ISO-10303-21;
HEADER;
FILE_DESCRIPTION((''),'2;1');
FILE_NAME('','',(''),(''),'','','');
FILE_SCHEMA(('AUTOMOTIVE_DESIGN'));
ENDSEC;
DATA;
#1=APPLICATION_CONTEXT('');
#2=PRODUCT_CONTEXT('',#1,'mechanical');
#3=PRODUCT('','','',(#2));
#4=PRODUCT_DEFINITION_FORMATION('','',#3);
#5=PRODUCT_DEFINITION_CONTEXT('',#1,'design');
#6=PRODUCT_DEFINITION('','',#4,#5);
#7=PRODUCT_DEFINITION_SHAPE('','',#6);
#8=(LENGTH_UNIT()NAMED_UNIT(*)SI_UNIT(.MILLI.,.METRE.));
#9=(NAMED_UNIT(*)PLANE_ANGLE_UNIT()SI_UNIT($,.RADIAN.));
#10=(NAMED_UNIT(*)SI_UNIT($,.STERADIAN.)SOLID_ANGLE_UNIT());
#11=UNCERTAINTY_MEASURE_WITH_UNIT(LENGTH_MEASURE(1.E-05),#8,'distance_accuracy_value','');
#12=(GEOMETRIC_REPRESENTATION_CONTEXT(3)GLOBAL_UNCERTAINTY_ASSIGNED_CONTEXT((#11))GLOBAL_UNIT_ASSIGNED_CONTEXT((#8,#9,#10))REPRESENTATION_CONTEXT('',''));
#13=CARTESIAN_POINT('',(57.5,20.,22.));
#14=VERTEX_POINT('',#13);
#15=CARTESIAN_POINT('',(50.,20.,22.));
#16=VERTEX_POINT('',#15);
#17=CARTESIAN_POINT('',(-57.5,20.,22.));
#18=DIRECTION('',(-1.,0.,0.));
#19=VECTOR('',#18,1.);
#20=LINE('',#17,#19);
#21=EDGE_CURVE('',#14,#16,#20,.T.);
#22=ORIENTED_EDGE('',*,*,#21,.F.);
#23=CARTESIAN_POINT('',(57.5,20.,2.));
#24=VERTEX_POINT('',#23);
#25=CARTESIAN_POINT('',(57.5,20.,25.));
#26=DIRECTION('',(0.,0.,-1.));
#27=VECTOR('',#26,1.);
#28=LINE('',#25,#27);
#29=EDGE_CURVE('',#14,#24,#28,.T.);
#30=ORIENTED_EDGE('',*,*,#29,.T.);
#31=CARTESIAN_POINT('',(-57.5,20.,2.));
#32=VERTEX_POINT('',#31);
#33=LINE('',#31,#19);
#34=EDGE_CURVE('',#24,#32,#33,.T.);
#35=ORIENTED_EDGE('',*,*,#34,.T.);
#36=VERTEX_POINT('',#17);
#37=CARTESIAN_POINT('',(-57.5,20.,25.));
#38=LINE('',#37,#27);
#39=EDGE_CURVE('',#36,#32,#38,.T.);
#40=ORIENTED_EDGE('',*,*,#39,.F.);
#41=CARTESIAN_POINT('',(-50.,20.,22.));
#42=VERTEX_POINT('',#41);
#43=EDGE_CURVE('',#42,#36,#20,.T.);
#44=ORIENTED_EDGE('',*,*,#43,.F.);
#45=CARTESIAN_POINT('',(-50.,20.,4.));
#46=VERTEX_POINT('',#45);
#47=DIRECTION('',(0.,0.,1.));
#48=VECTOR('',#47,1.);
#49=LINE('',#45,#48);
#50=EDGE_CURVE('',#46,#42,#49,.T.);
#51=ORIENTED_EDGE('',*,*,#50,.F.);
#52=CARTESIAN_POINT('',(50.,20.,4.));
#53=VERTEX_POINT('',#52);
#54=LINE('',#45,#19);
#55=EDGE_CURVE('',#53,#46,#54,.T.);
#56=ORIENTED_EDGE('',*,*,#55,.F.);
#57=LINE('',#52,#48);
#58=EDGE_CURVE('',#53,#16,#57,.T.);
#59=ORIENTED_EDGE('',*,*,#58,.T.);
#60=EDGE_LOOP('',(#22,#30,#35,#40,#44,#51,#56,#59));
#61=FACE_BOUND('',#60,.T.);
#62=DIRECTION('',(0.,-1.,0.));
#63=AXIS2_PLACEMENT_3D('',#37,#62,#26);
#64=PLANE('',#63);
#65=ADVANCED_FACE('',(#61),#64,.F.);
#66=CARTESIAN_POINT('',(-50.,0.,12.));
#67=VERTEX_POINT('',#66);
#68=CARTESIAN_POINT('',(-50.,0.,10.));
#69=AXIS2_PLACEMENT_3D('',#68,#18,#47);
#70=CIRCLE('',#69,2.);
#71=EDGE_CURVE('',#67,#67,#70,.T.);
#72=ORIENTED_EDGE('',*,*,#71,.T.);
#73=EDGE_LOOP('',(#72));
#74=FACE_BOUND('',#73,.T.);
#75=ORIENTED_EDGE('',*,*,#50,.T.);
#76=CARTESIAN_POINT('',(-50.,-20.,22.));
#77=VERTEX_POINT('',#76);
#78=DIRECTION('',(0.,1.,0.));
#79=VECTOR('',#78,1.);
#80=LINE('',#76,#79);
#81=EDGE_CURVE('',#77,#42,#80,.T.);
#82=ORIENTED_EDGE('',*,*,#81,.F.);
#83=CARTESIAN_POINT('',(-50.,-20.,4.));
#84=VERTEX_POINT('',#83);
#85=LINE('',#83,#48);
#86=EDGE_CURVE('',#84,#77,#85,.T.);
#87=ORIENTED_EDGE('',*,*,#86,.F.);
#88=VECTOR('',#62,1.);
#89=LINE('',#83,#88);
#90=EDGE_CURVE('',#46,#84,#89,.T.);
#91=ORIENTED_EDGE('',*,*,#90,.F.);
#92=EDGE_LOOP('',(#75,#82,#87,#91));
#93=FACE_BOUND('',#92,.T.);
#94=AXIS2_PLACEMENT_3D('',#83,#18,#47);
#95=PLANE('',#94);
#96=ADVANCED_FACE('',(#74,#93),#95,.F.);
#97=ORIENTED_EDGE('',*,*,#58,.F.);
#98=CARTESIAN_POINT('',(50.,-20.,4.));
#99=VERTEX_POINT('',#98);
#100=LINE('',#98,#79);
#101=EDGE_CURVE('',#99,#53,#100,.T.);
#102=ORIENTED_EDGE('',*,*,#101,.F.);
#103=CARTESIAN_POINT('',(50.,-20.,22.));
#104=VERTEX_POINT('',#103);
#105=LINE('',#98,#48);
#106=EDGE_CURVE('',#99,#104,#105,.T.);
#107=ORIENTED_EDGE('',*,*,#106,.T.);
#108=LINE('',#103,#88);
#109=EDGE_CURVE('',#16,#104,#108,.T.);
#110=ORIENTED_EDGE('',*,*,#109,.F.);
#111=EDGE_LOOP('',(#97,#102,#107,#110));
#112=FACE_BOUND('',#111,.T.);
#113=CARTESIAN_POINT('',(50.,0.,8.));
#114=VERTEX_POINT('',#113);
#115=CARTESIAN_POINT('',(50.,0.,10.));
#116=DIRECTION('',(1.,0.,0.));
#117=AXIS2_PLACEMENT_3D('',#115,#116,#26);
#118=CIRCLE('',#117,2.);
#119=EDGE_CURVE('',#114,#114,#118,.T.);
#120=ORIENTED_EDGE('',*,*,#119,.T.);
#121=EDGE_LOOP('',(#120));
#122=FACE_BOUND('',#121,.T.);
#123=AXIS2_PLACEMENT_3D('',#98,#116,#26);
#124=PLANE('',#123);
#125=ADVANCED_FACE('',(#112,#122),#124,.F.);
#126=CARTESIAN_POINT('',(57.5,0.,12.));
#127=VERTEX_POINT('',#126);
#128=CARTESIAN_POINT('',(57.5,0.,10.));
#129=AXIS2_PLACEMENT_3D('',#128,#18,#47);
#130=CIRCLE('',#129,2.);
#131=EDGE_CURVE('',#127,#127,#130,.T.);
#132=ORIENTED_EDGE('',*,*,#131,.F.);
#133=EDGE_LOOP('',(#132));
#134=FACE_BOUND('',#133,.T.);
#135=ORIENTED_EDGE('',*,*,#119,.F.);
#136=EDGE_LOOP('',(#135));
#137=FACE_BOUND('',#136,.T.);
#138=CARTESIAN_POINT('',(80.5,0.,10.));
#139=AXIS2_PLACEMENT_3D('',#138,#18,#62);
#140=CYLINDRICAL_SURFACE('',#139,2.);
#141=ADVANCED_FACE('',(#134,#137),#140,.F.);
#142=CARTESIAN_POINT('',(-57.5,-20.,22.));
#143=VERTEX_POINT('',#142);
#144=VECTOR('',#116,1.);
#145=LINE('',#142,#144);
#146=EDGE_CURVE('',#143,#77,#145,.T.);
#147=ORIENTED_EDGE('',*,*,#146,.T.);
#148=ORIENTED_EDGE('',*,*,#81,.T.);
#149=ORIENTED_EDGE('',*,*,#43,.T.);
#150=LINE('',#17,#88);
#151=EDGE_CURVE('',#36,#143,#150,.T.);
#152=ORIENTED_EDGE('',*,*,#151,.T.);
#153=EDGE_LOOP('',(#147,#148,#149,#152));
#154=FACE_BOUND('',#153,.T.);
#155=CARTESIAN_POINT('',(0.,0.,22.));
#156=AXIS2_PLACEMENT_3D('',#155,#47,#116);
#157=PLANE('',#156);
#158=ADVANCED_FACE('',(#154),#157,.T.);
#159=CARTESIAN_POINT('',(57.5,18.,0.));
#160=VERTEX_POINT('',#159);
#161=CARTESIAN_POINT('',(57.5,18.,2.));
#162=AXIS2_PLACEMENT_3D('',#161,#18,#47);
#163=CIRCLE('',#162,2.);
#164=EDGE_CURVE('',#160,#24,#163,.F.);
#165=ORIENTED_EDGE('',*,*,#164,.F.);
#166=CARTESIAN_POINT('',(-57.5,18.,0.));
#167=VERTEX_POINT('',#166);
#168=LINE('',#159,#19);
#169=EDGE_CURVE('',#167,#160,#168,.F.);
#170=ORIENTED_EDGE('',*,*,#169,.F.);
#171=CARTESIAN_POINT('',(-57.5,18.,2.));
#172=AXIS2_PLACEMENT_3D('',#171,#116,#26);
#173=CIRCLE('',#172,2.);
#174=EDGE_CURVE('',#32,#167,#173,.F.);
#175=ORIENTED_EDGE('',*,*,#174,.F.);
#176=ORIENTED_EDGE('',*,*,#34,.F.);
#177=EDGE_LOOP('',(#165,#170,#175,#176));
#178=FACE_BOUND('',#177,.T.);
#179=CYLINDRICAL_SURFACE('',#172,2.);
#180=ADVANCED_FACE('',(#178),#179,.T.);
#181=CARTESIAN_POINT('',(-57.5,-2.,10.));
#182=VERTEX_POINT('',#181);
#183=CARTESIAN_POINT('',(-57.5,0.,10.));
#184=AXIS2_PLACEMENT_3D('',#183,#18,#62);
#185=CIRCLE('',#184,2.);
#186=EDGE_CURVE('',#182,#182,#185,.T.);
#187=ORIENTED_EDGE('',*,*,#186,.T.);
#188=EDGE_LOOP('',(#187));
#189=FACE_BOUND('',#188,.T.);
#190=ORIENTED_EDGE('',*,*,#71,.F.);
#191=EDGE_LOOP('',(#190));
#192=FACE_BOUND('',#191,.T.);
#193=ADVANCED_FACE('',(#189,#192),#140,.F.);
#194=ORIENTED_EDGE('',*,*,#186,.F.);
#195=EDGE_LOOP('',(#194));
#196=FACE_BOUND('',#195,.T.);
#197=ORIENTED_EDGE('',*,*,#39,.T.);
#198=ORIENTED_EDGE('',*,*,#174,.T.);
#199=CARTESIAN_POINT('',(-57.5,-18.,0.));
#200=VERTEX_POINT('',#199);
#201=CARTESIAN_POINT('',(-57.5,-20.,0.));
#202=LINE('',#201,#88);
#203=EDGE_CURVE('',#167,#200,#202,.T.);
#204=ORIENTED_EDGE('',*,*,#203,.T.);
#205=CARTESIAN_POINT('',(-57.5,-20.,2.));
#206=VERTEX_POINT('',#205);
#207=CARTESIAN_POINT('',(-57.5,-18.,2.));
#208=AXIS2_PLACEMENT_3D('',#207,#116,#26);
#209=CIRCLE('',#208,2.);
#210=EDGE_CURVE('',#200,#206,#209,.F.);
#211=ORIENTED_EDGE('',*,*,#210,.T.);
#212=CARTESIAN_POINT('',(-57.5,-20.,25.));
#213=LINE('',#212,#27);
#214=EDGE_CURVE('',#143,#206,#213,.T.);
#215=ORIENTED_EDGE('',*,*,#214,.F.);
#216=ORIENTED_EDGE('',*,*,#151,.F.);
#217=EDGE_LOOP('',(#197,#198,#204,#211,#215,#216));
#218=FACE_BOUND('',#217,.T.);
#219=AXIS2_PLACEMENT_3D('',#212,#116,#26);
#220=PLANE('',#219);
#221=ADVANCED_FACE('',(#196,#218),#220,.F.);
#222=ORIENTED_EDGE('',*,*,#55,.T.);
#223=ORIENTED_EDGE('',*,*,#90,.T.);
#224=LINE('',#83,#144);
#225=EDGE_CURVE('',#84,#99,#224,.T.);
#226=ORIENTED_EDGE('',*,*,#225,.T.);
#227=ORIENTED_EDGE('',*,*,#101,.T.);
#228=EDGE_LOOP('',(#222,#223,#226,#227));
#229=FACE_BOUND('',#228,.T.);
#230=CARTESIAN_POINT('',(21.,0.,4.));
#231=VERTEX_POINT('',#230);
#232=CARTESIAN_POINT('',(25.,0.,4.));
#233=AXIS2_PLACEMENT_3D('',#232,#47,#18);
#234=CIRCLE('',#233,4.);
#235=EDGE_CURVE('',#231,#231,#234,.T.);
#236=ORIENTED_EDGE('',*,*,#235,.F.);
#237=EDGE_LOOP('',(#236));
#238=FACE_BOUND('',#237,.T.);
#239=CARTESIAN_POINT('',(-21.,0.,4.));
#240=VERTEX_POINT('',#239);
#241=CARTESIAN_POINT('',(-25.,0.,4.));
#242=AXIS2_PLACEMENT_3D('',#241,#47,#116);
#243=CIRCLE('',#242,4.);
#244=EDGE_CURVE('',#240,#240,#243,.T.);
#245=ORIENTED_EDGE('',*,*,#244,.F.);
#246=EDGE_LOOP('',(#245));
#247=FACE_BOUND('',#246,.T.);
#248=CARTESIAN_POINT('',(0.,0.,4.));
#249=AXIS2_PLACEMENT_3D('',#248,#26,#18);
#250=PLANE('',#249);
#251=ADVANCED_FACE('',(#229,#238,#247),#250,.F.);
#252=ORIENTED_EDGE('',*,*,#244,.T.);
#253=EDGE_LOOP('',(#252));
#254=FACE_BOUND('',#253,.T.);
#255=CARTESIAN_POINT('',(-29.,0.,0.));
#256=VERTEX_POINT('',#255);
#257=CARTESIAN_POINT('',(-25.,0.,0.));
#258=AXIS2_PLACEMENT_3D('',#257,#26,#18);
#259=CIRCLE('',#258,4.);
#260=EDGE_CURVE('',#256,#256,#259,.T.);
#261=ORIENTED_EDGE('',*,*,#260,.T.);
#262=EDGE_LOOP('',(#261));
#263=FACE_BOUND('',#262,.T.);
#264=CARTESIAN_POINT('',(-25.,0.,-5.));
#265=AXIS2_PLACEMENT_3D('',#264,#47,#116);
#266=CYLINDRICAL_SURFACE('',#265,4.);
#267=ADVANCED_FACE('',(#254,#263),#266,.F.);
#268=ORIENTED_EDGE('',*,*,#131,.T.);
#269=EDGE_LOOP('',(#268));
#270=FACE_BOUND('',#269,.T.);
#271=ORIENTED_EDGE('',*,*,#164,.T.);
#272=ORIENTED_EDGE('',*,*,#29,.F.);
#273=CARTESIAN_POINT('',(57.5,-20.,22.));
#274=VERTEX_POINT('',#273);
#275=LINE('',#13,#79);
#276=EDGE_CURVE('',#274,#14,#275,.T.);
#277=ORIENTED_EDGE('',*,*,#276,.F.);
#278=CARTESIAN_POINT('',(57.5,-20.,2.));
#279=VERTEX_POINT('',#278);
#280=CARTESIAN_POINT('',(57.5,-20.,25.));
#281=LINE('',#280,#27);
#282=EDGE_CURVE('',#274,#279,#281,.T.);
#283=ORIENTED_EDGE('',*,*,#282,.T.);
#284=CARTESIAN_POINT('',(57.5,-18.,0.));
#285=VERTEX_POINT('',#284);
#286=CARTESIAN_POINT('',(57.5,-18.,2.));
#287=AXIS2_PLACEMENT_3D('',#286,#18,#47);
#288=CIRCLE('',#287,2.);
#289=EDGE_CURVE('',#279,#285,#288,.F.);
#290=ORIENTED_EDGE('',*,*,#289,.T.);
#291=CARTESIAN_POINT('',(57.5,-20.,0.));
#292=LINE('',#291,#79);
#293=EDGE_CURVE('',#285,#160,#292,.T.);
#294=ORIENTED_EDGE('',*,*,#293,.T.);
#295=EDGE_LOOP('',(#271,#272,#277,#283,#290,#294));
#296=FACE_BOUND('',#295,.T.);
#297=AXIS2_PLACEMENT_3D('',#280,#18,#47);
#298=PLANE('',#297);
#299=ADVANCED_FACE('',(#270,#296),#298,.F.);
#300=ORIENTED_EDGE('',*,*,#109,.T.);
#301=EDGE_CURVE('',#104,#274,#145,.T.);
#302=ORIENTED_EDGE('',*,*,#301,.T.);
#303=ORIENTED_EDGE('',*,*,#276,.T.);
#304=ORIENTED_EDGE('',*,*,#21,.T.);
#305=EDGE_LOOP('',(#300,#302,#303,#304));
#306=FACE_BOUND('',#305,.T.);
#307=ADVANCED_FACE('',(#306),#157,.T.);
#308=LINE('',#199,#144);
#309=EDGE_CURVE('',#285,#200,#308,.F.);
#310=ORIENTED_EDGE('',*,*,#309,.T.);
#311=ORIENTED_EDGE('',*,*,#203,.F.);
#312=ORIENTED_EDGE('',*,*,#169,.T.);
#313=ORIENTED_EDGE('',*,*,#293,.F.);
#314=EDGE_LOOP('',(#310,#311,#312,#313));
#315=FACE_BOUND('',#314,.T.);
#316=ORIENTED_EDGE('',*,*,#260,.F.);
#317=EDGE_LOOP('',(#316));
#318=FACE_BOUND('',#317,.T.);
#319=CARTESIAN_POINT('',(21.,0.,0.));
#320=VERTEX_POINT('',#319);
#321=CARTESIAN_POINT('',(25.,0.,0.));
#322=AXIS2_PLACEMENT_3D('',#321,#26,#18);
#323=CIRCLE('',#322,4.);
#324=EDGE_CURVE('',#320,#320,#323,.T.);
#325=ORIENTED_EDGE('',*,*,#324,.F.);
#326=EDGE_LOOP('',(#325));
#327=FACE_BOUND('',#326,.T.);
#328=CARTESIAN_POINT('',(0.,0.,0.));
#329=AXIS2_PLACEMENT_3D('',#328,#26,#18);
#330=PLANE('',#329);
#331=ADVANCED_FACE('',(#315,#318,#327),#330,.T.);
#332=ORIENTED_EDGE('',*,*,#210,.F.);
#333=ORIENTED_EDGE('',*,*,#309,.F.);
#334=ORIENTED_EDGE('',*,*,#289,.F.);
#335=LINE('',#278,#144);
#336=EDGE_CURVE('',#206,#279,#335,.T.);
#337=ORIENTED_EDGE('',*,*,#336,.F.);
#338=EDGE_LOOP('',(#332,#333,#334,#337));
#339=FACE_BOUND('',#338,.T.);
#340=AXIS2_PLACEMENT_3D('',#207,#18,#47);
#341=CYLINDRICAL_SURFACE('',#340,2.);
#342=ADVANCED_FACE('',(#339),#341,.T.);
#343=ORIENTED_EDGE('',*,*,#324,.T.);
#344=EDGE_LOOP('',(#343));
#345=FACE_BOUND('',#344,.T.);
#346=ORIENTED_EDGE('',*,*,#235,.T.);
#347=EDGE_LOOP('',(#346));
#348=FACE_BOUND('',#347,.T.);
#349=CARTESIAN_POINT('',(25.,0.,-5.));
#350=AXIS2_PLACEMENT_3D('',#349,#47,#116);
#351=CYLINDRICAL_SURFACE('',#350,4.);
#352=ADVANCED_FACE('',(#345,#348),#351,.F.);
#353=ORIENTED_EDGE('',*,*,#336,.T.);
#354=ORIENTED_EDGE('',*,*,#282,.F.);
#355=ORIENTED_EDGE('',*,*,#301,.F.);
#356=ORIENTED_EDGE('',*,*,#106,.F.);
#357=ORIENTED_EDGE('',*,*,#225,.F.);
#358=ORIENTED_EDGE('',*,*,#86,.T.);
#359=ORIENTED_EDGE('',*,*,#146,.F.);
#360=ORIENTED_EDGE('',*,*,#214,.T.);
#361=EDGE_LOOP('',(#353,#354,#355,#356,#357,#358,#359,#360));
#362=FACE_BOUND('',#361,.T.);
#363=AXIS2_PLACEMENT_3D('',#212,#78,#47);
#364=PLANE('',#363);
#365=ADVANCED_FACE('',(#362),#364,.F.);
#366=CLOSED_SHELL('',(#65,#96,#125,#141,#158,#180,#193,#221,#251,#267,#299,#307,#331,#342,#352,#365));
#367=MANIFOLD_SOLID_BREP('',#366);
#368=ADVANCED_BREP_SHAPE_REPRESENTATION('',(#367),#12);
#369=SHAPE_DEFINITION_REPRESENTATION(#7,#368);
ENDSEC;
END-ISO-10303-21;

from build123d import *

# Parameters (mm, degrees)
SKETCH_2_W          = 115
SKETCH_2_H          = 40
EXTRUDE_1_DEPTH     = 25
SKETCH_3_W          = 100
SKETCH_3_H          = 40
CUT_EXTRUDE_1_DEPTH = 21
SKETCH_5_R          = 2
CUT_EXTRUDE_2_DEPTH = 138
FILLET_1_R          = 2
FILLET_2_R          = 2
SKETCH_6_R          = 4
CUT_EXTRUDE_3_DEPTH = 9
SKETCH_7_W          = 115
SKETCH_7_H          = 40
CUT_EXTRUDE_4_DEPTH = 3


with BuildPart() as part:
    # 草图2 → 凸台-拉伸1 (new body)
    with BuildSketch(Plane.XY):
        Rectangle(SKETCH_2_W, SKETCH_2_H)
    extrude(amount=EXTRUDE_1_DEPTH)

    # 草图3 → 切除-拉伸1 (cut)
    with BuildSketch(Plane.XY.offset(25)):
        Rectangle(SKETCH_3_W, SKETCH_3_H)
    extrude(amount=-CUT_EXTRUDE_1_DEPTH, mode=Mode.SUBTRACT)

    # 草图5 → 切除-拉伸2 (cut)
    with BuildSketch(Plane.ZY.offset(57.5)):
        with Locations(Location((10, 0, 0), (0, 0, 270))):
            Circle(SKETCH_5_R)
    extrude(amount=-CUT_EXTRUDE_2_DEPTH, mode=Mode.SUBTRACT)

    # 圆角1
    fillet_1_edges = [part.edges().sort_by_distance(p)[0] for p in [
        (0, 20, 0),
    ]]
    fillet(fillet_1_edges, radius=FILLET_1_R)

    # 圆角2
    fillet_2_edges = [part.edges().sort_by_distance(p)[0] for p in [
        (0, -20, 0),
    ]]
    fillet(fillet_2_edges, radius=FILLET_2_R)

    # 草图6 → 切除-拉伸3 (cut)
    with BuildSketch(Plane.XY.offset(4)):
        with Locations((-25, 0)):
            Circle(SKETCH_6_R)
        with Locations(Location((25, 0, 0), (0, 0, 180))):
            Circle(SKETCH_6_R)
    extrude(amount=-CUT_EXTRUDE_3_DEPTH, mode=Mode.SUBTRACT)

    # 草图7 → 切除-拉伸4 (cut)
    with BuildSketch(Plane.XY.offset(25)):
        Rectangle(SKETCH_7_W, SKETCH_7_H)
    extrude(amount=-CUT_EXTRUDE_4_DEPTH, mode=Mode.SUBTRACT)


solid = part.part
